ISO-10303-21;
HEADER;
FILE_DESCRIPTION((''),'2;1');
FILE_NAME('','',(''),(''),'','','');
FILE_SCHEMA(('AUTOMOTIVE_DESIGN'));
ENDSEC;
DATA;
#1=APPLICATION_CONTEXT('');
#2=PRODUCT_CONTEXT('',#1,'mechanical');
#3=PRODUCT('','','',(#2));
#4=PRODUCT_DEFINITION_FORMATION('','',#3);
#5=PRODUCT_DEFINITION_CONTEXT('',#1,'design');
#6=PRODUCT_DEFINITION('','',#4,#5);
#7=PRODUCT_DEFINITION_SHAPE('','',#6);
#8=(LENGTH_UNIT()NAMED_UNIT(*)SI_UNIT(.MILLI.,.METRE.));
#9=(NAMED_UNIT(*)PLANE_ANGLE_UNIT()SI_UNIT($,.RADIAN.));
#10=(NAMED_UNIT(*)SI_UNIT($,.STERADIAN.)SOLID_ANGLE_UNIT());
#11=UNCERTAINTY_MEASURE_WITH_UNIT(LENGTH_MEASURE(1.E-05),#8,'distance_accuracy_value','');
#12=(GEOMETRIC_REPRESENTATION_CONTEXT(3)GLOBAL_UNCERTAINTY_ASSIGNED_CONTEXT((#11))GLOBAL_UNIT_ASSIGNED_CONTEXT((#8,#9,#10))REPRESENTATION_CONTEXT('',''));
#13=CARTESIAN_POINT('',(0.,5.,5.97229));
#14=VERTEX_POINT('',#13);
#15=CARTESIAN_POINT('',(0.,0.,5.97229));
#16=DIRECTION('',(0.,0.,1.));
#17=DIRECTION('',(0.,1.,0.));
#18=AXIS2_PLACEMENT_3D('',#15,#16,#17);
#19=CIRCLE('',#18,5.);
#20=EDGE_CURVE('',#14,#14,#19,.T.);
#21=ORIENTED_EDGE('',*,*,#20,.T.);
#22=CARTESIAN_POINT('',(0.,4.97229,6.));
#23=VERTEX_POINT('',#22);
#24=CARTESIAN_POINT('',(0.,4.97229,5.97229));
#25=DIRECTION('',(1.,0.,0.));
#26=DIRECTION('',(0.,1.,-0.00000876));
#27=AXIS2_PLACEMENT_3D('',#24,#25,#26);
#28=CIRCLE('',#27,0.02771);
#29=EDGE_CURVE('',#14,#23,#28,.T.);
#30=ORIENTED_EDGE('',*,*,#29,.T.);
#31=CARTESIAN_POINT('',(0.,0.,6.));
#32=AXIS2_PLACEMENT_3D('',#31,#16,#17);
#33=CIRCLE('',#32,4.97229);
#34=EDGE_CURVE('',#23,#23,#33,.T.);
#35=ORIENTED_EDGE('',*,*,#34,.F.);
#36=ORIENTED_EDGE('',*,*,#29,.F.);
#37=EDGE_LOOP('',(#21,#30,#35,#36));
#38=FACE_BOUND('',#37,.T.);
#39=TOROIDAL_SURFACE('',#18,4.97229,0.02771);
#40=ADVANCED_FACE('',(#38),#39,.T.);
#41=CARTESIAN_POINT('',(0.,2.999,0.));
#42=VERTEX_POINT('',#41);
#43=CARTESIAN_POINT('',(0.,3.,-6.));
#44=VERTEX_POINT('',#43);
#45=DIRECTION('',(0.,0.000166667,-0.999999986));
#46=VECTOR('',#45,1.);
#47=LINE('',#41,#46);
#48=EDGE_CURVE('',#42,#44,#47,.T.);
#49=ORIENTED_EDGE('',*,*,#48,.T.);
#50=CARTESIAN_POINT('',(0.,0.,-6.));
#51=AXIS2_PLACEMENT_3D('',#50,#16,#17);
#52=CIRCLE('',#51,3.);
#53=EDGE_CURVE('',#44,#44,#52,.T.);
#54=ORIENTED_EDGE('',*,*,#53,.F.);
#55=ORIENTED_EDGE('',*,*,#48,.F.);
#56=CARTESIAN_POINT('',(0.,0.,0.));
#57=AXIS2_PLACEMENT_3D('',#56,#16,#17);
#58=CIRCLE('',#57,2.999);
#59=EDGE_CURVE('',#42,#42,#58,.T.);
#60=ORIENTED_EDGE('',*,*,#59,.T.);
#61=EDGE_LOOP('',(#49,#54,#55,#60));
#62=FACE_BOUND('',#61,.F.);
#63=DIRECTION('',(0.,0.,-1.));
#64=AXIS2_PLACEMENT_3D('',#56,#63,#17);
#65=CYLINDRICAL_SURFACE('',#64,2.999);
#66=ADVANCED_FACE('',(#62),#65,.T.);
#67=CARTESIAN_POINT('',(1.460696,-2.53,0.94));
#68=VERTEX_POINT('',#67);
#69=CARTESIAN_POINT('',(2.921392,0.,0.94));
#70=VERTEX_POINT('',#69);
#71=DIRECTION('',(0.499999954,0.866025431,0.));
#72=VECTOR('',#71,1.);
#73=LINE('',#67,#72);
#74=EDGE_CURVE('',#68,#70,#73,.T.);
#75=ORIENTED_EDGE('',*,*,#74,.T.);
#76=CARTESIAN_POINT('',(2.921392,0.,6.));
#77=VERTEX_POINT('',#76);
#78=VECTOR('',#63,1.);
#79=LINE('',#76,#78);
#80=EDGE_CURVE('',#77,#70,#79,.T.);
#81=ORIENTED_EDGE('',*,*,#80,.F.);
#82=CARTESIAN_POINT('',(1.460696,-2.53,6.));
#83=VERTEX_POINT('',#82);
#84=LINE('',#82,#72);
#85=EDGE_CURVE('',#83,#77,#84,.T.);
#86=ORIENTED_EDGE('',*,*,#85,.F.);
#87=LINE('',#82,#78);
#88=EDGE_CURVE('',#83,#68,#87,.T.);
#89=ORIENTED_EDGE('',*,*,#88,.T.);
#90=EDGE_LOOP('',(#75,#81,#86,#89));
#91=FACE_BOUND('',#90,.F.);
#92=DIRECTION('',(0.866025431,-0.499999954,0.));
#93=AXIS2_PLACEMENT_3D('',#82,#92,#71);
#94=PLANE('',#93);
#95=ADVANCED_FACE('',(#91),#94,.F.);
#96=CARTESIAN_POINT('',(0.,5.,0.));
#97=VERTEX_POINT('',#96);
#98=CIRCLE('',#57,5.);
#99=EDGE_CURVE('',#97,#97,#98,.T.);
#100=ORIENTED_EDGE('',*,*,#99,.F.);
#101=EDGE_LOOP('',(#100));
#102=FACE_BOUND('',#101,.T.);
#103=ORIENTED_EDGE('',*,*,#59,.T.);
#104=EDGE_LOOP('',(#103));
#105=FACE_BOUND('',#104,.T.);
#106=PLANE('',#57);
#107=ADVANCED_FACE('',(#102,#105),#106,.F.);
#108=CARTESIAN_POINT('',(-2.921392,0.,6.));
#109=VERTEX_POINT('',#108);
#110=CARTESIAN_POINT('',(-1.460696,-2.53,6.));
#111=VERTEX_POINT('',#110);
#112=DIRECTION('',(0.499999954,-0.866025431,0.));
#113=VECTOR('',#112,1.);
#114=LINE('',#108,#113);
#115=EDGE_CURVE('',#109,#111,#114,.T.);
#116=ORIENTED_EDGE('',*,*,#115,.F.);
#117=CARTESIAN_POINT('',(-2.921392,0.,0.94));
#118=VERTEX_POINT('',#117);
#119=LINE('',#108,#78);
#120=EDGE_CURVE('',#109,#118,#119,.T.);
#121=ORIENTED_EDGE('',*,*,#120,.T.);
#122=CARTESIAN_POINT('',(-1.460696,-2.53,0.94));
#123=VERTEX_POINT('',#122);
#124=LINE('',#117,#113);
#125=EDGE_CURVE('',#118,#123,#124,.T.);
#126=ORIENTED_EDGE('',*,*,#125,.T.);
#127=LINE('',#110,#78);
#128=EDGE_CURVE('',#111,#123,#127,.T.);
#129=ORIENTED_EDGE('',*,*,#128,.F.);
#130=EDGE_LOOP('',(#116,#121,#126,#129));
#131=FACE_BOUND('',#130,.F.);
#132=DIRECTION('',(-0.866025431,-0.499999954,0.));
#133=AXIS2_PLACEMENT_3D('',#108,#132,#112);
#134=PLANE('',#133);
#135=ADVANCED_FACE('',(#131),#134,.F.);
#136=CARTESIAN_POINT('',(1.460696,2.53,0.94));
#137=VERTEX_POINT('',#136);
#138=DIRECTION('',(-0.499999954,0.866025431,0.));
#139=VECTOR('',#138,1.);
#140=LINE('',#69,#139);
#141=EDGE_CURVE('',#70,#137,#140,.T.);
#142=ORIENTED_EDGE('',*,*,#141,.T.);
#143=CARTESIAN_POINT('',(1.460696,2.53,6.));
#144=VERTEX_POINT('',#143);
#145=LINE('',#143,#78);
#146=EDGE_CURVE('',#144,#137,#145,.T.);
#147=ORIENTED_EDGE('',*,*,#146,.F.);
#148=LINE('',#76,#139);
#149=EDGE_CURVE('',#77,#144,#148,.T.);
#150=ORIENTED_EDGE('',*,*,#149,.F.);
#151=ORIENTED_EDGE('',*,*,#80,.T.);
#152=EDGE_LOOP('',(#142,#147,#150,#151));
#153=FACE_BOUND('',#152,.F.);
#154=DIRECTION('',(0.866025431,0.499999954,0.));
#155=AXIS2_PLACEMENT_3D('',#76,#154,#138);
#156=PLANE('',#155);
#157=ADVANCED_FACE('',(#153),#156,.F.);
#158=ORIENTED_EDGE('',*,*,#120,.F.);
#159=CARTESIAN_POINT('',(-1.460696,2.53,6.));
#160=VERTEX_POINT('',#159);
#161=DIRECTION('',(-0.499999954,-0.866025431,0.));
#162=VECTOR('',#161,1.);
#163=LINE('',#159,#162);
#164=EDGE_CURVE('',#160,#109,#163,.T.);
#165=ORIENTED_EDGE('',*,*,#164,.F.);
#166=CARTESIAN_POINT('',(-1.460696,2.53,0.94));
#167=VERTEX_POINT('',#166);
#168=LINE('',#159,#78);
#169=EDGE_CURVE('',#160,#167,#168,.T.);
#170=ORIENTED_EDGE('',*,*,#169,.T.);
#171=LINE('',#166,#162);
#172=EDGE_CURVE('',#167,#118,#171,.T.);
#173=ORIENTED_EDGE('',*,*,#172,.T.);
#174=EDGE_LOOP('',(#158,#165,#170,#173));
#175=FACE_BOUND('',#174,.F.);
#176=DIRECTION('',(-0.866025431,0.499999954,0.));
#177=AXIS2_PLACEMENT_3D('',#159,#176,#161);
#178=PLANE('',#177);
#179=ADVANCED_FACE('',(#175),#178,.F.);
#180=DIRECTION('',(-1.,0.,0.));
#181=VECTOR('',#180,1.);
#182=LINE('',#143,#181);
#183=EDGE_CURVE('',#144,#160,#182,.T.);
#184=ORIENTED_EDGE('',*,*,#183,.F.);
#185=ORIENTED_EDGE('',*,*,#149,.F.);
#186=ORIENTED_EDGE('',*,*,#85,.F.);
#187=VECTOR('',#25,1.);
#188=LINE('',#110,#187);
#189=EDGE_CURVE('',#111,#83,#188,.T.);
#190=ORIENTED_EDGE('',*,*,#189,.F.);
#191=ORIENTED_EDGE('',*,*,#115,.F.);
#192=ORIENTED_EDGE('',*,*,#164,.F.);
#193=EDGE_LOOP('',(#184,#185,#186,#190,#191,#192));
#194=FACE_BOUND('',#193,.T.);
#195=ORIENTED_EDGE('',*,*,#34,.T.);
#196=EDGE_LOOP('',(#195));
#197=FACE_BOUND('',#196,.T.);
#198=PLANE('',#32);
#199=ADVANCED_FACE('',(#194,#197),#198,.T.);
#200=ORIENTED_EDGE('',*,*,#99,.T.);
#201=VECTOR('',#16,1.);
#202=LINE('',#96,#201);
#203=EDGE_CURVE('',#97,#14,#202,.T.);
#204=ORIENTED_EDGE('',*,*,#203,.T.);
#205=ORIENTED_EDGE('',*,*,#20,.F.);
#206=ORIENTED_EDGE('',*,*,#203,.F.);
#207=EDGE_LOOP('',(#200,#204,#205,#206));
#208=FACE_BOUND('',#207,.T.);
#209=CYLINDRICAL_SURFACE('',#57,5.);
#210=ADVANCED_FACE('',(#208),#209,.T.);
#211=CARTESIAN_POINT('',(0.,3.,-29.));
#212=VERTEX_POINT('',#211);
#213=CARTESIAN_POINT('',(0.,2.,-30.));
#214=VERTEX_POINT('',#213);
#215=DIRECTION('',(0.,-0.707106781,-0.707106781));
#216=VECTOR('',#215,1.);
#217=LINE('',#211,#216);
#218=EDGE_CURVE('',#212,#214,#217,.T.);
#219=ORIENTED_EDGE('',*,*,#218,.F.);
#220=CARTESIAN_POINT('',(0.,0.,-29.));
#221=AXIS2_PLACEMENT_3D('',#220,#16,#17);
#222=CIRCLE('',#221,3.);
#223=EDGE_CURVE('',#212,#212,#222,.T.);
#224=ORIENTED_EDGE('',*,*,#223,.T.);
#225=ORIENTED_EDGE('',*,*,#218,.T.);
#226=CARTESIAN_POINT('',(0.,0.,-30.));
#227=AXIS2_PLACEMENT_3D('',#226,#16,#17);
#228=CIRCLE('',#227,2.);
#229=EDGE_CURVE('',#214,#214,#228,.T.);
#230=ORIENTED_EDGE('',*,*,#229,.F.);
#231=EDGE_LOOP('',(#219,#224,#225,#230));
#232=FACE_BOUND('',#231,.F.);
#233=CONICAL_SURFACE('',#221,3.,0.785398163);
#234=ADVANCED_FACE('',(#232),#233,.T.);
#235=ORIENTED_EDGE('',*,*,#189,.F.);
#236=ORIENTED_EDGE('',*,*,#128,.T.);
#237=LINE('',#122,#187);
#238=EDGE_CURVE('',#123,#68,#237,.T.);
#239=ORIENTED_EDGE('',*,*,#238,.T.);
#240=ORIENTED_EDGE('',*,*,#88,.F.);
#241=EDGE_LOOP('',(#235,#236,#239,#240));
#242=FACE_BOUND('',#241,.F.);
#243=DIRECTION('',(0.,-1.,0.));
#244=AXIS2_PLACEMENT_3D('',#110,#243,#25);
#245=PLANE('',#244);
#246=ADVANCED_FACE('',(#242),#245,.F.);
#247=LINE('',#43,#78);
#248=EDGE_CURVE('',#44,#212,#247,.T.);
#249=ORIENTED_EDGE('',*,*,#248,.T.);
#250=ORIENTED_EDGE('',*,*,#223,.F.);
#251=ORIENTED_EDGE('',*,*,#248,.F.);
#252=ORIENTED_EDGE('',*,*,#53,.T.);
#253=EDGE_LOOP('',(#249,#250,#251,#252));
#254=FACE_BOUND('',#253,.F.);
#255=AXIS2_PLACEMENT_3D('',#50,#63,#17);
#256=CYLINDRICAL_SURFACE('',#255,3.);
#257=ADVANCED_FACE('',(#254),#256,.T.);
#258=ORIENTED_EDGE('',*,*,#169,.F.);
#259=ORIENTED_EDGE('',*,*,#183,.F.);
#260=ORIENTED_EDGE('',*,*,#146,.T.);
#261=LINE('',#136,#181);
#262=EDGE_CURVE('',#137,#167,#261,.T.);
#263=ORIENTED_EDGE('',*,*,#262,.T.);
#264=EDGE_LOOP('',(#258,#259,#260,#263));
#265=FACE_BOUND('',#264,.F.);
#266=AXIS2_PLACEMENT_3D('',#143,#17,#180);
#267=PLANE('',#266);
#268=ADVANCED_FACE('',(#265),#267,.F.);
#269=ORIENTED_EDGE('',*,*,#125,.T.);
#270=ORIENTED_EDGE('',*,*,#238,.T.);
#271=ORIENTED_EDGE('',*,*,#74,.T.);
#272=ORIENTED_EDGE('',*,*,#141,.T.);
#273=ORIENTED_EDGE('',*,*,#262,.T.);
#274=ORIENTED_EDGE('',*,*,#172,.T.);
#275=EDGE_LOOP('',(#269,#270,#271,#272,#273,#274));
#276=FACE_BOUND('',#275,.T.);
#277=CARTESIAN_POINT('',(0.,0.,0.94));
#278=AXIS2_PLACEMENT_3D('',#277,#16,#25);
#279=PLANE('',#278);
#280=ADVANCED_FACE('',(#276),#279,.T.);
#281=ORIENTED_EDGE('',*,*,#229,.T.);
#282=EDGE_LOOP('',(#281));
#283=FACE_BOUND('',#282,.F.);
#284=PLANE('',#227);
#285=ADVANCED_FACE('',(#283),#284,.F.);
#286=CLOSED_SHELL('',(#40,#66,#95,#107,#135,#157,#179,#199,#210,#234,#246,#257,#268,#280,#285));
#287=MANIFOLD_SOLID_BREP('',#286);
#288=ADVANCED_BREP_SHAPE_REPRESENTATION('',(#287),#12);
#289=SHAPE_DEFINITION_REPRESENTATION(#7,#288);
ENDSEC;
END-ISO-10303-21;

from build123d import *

# Parameters (mm, degrees)
POCKET_DEPTH = 5.06


with BuildPart() as part:
    # Sketch → Revolve (revolve)
    with BuildSketch(Plane.YZ):
        with BuildLine():
            Line((2.999, 0), (5, 0))
            Line((5, 0), (5, 5.97229))
            ThreePointArc((5, 5.97229), (4.991884, 5.991884), (4.97229, 6))
            Line((4.97229, 6), (0, 6))
            Line((0, -30), (0, 6))
            Line((2, -30), (0, -30))
            Line((3, -29), (2, -30))
            Line((3, -6), (3, -29))
            Line((2.999, 0), (3, -6))
        make_face()
    revolve(axis=Axis((0, 0, 0), (0, 0, 1)))

    # Sketch001 → Pocket (cut)
    with BuildSketch(Plane.XY.offset(6)):
        Polygon((2.921392, 0), (1.460696, 2.53), (-1.460696, 2.53), (-2.921392, 0), (-1.460696, -2.53), (1.460696, -2.53), align=None)
    extrude(amount=-POCKET_DEPTH, mode=Mode.SUBTRACT)


solid = part.part
